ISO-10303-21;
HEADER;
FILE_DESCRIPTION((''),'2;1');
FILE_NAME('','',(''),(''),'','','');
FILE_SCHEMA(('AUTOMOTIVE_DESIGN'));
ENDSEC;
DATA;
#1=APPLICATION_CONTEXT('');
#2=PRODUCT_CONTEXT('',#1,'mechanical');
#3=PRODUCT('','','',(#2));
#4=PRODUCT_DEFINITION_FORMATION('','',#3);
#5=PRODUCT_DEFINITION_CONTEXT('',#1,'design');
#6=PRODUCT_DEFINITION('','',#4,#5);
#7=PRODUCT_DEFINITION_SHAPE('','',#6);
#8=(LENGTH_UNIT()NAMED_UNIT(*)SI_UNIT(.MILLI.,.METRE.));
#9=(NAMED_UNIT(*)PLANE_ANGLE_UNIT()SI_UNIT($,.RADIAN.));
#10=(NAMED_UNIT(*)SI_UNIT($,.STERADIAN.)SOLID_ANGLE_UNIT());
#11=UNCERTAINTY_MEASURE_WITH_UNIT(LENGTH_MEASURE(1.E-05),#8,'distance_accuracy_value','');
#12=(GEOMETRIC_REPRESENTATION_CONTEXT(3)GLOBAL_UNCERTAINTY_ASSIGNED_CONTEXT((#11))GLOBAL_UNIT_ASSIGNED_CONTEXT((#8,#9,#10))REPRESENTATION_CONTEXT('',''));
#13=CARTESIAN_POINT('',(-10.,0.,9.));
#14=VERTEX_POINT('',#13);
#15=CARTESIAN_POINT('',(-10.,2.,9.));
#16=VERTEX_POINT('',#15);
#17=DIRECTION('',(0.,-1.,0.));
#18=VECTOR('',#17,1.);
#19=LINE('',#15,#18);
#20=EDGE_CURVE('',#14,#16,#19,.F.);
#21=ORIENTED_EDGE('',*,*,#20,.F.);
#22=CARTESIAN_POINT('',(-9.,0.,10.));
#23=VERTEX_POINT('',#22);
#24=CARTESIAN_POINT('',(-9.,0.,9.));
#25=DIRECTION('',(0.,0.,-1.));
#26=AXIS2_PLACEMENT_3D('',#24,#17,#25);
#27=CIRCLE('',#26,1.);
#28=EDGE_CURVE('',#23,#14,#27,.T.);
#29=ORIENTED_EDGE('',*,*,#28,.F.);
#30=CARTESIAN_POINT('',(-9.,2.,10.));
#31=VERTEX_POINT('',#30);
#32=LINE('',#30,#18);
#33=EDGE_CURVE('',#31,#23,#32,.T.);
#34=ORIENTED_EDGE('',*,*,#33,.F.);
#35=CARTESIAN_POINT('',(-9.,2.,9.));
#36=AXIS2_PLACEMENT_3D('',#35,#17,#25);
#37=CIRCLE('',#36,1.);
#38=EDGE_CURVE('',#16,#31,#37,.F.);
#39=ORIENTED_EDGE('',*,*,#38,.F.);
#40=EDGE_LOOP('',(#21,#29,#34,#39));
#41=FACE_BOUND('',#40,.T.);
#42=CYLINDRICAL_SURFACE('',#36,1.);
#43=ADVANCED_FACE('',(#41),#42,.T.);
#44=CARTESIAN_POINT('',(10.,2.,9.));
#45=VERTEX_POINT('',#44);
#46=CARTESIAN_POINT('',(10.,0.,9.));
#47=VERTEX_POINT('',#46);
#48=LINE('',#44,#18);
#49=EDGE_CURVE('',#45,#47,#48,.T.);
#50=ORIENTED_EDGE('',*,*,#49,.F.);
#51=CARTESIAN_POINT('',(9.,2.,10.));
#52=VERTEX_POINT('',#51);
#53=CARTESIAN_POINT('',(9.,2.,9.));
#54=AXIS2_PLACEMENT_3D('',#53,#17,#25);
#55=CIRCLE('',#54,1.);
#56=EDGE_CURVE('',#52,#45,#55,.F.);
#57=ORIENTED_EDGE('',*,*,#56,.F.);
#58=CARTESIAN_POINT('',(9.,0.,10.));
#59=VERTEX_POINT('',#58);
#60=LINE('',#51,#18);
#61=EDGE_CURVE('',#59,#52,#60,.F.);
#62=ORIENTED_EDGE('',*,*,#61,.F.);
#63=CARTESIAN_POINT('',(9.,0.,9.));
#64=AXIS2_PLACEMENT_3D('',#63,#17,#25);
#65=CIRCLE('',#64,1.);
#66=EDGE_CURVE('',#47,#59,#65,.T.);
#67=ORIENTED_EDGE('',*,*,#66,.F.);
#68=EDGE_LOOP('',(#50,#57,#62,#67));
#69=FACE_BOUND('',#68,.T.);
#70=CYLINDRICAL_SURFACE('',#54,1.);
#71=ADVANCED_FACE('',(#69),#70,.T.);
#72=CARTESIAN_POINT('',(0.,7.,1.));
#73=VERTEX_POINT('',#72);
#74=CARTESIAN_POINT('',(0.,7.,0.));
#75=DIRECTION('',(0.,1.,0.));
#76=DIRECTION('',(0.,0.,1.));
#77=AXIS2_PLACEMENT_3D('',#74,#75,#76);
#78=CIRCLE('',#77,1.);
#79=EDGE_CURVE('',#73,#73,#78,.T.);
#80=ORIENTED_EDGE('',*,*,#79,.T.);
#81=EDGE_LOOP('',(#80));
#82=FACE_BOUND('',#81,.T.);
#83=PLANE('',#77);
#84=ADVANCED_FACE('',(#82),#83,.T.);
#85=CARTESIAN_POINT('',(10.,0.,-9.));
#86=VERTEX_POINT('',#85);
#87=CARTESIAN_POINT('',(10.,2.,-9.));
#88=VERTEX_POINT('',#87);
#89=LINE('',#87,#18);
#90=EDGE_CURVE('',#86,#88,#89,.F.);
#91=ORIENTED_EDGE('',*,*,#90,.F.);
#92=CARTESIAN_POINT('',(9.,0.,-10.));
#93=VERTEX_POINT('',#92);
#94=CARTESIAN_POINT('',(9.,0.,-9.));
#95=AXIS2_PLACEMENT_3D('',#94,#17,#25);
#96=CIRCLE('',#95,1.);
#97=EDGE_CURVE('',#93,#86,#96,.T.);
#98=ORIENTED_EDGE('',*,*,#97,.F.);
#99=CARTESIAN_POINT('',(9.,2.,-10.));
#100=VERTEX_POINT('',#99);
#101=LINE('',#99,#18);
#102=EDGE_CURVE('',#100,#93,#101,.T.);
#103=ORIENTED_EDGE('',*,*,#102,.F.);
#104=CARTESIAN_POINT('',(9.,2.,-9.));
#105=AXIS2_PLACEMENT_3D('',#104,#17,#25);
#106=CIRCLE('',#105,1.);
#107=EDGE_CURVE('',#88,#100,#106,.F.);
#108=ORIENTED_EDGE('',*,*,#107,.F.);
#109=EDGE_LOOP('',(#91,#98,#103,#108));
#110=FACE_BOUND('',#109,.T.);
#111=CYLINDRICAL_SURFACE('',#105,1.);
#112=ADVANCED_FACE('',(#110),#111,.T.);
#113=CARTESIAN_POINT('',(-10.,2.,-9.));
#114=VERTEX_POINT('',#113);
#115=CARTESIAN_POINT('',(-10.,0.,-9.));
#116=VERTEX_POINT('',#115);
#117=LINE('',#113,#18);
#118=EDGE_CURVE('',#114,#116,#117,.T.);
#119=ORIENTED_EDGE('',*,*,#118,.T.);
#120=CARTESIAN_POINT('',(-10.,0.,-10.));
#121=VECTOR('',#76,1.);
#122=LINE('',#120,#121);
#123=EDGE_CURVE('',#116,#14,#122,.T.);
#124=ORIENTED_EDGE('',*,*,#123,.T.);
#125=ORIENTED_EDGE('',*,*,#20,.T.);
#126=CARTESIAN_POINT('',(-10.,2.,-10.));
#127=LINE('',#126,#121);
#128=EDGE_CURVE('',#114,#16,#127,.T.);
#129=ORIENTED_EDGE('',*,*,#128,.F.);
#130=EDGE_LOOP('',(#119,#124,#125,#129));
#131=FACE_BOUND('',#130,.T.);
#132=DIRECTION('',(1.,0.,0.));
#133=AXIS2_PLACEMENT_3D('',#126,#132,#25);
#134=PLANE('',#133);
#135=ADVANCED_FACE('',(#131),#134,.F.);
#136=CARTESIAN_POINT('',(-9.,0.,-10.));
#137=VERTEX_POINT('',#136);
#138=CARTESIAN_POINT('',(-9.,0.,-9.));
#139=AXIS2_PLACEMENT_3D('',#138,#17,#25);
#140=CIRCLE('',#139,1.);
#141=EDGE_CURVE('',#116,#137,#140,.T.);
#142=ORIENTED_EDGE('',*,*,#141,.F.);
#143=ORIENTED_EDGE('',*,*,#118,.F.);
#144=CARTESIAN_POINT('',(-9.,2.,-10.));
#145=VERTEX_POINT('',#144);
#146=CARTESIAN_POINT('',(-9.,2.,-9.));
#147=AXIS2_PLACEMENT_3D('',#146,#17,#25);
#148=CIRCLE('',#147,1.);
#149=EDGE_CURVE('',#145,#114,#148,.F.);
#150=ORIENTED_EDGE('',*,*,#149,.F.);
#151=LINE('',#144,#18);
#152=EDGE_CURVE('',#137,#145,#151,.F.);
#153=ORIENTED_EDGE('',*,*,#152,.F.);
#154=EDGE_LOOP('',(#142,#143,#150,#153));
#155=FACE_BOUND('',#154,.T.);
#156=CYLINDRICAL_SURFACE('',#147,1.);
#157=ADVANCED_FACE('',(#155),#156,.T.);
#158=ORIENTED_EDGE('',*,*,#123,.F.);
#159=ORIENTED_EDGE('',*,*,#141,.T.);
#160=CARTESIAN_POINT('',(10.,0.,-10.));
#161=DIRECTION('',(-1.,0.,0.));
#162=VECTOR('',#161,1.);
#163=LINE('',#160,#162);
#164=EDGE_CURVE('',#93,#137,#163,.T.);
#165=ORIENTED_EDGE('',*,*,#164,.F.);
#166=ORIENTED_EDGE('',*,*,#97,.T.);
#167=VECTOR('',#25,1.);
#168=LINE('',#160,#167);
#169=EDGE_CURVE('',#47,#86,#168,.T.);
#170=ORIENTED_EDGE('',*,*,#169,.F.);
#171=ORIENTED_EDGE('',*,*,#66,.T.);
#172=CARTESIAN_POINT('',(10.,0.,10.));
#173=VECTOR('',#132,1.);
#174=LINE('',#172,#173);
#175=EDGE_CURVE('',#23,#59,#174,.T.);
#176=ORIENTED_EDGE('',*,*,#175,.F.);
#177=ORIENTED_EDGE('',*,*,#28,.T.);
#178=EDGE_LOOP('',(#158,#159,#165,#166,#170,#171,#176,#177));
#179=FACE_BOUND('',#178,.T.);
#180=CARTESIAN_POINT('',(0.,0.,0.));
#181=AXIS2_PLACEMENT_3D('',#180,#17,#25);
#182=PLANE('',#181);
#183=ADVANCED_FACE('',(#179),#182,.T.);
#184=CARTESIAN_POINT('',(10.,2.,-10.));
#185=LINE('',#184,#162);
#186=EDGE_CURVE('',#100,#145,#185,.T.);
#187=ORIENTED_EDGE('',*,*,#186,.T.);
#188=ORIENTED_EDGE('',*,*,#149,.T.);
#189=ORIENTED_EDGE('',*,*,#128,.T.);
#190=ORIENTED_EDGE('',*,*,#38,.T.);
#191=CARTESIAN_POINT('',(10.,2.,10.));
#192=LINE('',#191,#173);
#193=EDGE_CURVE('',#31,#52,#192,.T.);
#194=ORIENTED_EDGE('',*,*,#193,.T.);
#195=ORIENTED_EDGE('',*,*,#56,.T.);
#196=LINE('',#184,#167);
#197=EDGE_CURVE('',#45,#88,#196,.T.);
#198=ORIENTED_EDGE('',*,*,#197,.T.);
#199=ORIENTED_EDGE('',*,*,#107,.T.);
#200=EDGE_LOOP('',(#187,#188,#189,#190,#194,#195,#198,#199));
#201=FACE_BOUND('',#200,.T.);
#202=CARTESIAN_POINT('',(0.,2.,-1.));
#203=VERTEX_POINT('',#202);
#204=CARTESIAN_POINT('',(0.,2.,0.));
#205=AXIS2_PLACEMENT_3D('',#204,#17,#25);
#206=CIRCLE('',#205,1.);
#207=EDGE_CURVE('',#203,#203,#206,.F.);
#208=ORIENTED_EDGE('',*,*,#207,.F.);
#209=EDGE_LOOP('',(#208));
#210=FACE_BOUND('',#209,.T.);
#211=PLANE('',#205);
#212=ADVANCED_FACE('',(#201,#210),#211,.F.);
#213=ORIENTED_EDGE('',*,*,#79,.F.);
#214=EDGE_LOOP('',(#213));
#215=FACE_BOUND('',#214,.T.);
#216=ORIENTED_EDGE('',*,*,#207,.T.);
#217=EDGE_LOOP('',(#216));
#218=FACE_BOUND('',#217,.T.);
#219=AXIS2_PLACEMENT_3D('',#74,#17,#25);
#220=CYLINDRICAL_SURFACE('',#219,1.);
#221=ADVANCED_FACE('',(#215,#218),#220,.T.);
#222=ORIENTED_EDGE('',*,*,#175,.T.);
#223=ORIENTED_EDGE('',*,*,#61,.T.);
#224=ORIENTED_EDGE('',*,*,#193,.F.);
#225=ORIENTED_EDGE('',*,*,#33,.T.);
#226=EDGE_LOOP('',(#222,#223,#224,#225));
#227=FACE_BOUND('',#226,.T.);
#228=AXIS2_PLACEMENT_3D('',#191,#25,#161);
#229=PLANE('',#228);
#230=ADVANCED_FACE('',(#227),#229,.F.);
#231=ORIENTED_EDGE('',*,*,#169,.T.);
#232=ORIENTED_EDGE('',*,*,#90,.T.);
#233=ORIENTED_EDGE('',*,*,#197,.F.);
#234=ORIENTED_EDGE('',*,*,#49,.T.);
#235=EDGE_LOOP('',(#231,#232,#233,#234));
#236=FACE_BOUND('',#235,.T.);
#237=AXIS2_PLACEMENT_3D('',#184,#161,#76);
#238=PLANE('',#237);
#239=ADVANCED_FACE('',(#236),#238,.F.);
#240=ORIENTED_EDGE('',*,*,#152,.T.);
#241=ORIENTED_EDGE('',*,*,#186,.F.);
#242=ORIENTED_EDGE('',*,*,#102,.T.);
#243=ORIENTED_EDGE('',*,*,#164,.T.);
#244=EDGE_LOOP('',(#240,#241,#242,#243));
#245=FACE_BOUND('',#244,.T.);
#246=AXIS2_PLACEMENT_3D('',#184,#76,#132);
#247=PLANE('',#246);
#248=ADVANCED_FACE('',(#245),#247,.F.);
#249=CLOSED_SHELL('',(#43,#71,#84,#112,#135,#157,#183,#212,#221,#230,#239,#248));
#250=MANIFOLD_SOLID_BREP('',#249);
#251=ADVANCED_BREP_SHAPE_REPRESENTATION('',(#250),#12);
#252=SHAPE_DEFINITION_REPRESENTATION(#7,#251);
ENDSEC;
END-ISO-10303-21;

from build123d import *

# Parameters (mm, degrees)
SKETCH2_W           = 20
SKETCH2_H           = 20
BOSS_EXTRUDE1_DEPTH = 2
SKETCH3_R           = 1
BOSS_EXTRUDE2_DEPTH = 5
FILLET1_R           = 1


with BuildPart() as part:
    # Sketch2 → Boss-Extrude1 (new body)
    with BuildSketch(Plane(origin=(0, 0, 0), x_dir=(1, 0, 0), z_dir=(0, 1, 0))):
        Rectangle(SKETCH2_W, SKETCH2_H)
    extrude(amount=BOSS_EXTRUDE1_DEPTH)

    # Sketch3 → Boss-Extrude2 (add)
    with BuildSketch(Plane(origin=(0, 2, 0), x_dir=(1, 0, 0), z_dir=(0, 1, 0))):
        with Locations(Location((0, 0, 0), (0, 0, 90))):
            Circle(SKETCH3_R)
    extrude(amount=BOSS_EXTRUDE2_DEPTH)

    # Fillet1
    fillet1_edges = [part.edges().sort_by_distance(p)[0] for p in [
        (-10, 1, -10),
        (10, 1, -10),
        (10, 1, 10),
        (-10, 1, 10),
    ]]
    fillet(fillet1_edges, radius=FILLET1_R)


solid = part.part
